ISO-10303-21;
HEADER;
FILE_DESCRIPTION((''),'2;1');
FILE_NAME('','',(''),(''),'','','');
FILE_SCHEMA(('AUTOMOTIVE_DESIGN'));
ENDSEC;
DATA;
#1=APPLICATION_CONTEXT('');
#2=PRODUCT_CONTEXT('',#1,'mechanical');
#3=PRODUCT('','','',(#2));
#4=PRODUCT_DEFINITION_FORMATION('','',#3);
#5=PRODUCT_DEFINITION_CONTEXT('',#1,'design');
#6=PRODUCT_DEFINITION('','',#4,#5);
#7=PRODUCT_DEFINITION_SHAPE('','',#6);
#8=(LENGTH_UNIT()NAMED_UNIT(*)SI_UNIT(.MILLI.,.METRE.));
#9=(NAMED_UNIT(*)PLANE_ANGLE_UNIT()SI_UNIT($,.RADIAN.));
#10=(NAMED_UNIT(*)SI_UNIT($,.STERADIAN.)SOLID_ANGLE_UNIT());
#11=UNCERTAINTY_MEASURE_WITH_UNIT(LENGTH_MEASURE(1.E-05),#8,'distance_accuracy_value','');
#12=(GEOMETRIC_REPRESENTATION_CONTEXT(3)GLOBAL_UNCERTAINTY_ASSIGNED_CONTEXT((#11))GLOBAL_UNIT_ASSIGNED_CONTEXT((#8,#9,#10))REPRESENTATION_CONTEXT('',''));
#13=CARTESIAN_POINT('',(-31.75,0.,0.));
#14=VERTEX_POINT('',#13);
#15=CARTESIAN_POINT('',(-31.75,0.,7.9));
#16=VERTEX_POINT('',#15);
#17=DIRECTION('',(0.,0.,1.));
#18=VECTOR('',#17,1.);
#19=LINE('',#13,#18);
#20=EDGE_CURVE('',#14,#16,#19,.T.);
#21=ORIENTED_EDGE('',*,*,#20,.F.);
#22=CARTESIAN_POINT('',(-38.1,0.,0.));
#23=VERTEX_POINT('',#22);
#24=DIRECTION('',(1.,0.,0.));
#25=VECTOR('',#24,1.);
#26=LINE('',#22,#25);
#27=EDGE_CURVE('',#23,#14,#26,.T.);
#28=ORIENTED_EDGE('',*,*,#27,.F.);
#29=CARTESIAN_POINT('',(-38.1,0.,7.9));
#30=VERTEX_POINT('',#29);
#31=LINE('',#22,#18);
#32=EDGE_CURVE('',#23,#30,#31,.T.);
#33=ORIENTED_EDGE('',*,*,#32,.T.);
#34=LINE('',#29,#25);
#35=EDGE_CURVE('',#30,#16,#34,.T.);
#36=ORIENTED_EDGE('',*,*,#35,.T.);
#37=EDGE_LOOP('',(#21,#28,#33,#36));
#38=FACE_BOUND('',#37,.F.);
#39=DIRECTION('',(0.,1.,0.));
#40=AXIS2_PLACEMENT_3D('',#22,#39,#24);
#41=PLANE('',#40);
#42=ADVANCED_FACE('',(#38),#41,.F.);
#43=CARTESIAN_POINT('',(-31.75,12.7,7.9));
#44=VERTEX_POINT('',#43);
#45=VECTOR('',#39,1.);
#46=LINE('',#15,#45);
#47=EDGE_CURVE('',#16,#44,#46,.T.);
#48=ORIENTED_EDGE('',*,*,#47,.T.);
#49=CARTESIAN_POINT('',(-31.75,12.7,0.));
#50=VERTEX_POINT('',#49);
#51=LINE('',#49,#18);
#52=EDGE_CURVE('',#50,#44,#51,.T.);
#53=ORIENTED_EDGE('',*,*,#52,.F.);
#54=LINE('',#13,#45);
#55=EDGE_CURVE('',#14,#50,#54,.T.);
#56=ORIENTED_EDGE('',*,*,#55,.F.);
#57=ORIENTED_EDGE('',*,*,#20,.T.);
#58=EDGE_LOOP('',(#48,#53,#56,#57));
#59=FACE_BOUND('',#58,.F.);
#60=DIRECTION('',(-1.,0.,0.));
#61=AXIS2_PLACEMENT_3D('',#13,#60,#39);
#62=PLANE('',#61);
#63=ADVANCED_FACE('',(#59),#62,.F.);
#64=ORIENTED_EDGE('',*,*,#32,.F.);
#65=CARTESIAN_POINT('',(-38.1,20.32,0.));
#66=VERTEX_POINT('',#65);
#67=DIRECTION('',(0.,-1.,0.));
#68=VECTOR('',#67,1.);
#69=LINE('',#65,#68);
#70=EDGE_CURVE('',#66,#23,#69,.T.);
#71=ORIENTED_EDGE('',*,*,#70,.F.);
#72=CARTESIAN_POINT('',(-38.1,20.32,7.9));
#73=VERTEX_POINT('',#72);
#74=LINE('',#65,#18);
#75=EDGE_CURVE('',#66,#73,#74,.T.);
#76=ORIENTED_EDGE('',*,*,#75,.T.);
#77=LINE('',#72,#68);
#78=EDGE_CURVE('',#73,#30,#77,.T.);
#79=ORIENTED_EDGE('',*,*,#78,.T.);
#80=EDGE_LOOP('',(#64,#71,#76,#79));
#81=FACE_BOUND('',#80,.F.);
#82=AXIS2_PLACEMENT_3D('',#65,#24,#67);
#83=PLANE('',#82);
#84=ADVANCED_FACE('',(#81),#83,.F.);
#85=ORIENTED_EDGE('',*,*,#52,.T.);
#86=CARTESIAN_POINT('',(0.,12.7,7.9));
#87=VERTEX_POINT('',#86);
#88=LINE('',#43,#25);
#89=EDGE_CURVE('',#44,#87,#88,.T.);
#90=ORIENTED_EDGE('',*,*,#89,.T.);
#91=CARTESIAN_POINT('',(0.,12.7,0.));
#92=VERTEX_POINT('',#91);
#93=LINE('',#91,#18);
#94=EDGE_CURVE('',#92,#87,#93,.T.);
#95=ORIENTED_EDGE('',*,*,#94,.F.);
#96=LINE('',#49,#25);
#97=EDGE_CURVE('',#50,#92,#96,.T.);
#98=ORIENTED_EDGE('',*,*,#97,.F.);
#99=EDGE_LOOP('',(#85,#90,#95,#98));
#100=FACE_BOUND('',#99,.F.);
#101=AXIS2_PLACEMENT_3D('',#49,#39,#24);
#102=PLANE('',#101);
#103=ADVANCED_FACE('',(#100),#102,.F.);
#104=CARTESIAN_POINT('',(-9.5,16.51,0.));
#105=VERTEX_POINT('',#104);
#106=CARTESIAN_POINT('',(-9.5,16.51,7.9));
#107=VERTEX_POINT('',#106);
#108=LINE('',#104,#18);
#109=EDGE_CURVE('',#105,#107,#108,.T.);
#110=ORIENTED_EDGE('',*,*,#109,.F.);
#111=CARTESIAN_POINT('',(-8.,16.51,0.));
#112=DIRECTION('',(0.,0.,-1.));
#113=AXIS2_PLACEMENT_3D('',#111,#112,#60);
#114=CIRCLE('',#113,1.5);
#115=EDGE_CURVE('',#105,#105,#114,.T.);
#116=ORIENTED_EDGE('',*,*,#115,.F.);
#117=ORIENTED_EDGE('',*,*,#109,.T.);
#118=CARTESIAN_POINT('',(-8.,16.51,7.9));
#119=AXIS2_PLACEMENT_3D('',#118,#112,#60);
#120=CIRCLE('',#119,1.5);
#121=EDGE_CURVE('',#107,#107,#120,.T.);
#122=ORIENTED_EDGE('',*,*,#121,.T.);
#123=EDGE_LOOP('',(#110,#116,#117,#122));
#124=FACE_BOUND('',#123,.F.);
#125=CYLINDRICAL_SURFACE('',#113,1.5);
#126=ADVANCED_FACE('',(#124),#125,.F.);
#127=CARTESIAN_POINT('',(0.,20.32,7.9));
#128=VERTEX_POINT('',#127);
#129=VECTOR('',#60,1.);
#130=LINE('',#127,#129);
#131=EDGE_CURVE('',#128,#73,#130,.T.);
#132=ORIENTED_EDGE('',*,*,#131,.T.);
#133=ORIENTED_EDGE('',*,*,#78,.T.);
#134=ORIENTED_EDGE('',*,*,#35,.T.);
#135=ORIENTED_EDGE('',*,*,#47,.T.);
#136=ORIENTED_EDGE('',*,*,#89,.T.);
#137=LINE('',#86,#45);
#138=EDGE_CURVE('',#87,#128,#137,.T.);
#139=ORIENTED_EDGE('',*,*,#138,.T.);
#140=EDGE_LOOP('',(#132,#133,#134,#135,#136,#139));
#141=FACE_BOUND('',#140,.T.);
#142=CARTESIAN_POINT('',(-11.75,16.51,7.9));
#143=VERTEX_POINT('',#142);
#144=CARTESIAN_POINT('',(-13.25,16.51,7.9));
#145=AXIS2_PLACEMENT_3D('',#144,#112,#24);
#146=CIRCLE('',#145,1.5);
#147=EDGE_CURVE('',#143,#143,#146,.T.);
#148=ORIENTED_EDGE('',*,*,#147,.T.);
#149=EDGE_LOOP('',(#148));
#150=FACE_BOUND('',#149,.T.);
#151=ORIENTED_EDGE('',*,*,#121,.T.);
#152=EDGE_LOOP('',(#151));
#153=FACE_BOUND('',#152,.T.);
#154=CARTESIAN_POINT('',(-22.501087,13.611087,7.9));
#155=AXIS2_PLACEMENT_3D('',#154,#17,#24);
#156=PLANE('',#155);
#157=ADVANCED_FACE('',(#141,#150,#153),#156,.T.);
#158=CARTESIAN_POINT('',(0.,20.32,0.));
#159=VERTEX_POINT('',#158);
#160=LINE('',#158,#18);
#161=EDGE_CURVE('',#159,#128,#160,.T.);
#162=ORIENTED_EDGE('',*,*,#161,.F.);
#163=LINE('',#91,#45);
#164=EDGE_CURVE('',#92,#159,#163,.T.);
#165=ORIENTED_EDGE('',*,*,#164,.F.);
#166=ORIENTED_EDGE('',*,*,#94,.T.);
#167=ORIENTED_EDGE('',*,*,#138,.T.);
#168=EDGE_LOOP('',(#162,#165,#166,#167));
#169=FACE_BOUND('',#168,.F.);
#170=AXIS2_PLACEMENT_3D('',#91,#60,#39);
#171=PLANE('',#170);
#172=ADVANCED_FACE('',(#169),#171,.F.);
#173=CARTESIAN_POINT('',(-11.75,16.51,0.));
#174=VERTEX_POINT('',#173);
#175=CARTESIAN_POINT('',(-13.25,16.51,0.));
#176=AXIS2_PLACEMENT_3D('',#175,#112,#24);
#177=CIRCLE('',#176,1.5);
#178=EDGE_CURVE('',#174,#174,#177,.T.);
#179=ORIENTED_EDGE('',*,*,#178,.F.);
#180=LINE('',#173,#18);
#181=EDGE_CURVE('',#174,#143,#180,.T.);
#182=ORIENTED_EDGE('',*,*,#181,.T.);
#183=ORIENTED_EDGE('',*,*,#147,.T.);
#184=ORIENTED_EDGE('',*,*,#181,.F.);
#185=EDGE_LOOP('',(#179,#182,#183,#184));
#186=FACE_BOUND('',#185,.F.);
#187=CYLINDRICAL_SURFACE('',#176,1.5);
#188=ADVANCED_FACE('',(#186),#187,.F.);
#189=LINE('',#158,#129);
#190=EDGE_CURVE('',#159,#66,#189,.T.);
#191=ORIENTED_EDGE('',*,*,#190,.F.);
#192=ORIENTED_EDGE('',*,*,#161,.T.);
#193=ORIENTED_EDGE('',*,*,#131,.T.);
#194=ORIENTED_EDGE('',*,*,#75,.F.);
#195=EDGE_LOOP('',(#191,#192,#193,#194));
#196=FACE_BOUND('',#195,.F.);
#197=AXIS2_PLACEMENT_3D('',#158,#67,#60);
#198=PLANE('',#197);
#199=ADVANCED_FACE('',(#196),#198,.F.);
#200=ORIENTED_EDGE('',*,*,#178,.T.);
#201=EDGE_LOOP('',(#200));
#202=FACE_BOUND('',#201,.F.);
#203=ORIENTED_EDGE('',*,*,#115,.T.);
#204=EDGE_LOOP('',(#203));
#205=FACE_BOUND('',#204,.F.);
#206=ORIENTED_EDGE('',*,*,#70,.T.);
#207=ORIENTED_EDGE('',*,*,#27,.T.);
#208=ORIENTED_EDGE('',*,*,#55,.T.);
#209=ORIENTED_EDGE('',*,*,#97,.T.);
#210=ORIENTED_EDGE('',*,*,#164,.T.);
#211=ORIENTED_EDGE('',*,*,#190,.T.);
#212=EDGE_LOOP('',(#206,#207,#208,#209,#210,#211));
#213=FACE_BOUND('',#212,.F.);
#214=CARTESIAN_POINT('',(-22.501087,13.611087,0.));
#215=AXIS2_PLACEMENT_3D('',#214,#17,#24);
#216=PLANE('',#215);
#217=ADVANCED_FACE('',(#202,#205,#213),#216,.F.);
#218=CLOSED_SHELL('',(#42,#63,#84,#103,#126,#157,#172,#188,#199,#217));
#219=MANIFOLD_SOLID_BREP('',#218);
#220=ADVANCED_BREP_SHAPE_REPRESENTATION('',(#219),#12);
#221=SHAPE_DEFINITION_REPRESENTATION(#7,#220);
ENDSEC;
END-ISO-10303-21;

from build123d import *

# Parameters (mm, degrees)
F1_DEPTH = 7.9
F3_DEPTH = 25.4


with BuildPart() as f1:
    # F0 (on Top) → F1 (new body)
    with BuildSketch(Plane.XY):
        Polygon((-38.1, 0), (-31.75, 0), (-31.75, 12.7), (0, 12.7), (0, 20.32), (-38.1, 20.32), align=None)
    extrude(amount=F1_DEPTH)

    # F2 (on face) → F3 (cut)
    with BuildSketch(Plane(origin=(0, 0, 0), x_dir=(1, 0, 0), z_dir=(0, 0, -1))):
        with BuildLine():
            Line((-9.5, -16.51), (-6.5, -16.51))
            ThreePointArc((-6.5, -16.51), (-8, -15.01), (-9.5, -16.51))
        make_face()
        with BuildLine():
            ThreePointArc((-14.75, -16.51), (-13.25, -18.01), (-11.75, -16.51))
            Line((-11.75, -16.51), (-14.75, -16.51))
        make_face()
        with BuildLine():
            Line((-14.75, -16.51), (-11.75, -16.51))
            ThreePointArc((-11.75, -16.51), (-13.25, -15.01), (-14.75, -16.51))
        make_face()
        with BuildLine():
            ThreePointArc((-9.5, -16.51), (-8, -18.01), (-6.5, -16.51))
            Line((-6.5, -16.51), (-9.5, -16.51))
        make_face()
    extrude(amount=-F3_DEPTH, mode=Mode.SUBTRACT)


solid = f1.part
